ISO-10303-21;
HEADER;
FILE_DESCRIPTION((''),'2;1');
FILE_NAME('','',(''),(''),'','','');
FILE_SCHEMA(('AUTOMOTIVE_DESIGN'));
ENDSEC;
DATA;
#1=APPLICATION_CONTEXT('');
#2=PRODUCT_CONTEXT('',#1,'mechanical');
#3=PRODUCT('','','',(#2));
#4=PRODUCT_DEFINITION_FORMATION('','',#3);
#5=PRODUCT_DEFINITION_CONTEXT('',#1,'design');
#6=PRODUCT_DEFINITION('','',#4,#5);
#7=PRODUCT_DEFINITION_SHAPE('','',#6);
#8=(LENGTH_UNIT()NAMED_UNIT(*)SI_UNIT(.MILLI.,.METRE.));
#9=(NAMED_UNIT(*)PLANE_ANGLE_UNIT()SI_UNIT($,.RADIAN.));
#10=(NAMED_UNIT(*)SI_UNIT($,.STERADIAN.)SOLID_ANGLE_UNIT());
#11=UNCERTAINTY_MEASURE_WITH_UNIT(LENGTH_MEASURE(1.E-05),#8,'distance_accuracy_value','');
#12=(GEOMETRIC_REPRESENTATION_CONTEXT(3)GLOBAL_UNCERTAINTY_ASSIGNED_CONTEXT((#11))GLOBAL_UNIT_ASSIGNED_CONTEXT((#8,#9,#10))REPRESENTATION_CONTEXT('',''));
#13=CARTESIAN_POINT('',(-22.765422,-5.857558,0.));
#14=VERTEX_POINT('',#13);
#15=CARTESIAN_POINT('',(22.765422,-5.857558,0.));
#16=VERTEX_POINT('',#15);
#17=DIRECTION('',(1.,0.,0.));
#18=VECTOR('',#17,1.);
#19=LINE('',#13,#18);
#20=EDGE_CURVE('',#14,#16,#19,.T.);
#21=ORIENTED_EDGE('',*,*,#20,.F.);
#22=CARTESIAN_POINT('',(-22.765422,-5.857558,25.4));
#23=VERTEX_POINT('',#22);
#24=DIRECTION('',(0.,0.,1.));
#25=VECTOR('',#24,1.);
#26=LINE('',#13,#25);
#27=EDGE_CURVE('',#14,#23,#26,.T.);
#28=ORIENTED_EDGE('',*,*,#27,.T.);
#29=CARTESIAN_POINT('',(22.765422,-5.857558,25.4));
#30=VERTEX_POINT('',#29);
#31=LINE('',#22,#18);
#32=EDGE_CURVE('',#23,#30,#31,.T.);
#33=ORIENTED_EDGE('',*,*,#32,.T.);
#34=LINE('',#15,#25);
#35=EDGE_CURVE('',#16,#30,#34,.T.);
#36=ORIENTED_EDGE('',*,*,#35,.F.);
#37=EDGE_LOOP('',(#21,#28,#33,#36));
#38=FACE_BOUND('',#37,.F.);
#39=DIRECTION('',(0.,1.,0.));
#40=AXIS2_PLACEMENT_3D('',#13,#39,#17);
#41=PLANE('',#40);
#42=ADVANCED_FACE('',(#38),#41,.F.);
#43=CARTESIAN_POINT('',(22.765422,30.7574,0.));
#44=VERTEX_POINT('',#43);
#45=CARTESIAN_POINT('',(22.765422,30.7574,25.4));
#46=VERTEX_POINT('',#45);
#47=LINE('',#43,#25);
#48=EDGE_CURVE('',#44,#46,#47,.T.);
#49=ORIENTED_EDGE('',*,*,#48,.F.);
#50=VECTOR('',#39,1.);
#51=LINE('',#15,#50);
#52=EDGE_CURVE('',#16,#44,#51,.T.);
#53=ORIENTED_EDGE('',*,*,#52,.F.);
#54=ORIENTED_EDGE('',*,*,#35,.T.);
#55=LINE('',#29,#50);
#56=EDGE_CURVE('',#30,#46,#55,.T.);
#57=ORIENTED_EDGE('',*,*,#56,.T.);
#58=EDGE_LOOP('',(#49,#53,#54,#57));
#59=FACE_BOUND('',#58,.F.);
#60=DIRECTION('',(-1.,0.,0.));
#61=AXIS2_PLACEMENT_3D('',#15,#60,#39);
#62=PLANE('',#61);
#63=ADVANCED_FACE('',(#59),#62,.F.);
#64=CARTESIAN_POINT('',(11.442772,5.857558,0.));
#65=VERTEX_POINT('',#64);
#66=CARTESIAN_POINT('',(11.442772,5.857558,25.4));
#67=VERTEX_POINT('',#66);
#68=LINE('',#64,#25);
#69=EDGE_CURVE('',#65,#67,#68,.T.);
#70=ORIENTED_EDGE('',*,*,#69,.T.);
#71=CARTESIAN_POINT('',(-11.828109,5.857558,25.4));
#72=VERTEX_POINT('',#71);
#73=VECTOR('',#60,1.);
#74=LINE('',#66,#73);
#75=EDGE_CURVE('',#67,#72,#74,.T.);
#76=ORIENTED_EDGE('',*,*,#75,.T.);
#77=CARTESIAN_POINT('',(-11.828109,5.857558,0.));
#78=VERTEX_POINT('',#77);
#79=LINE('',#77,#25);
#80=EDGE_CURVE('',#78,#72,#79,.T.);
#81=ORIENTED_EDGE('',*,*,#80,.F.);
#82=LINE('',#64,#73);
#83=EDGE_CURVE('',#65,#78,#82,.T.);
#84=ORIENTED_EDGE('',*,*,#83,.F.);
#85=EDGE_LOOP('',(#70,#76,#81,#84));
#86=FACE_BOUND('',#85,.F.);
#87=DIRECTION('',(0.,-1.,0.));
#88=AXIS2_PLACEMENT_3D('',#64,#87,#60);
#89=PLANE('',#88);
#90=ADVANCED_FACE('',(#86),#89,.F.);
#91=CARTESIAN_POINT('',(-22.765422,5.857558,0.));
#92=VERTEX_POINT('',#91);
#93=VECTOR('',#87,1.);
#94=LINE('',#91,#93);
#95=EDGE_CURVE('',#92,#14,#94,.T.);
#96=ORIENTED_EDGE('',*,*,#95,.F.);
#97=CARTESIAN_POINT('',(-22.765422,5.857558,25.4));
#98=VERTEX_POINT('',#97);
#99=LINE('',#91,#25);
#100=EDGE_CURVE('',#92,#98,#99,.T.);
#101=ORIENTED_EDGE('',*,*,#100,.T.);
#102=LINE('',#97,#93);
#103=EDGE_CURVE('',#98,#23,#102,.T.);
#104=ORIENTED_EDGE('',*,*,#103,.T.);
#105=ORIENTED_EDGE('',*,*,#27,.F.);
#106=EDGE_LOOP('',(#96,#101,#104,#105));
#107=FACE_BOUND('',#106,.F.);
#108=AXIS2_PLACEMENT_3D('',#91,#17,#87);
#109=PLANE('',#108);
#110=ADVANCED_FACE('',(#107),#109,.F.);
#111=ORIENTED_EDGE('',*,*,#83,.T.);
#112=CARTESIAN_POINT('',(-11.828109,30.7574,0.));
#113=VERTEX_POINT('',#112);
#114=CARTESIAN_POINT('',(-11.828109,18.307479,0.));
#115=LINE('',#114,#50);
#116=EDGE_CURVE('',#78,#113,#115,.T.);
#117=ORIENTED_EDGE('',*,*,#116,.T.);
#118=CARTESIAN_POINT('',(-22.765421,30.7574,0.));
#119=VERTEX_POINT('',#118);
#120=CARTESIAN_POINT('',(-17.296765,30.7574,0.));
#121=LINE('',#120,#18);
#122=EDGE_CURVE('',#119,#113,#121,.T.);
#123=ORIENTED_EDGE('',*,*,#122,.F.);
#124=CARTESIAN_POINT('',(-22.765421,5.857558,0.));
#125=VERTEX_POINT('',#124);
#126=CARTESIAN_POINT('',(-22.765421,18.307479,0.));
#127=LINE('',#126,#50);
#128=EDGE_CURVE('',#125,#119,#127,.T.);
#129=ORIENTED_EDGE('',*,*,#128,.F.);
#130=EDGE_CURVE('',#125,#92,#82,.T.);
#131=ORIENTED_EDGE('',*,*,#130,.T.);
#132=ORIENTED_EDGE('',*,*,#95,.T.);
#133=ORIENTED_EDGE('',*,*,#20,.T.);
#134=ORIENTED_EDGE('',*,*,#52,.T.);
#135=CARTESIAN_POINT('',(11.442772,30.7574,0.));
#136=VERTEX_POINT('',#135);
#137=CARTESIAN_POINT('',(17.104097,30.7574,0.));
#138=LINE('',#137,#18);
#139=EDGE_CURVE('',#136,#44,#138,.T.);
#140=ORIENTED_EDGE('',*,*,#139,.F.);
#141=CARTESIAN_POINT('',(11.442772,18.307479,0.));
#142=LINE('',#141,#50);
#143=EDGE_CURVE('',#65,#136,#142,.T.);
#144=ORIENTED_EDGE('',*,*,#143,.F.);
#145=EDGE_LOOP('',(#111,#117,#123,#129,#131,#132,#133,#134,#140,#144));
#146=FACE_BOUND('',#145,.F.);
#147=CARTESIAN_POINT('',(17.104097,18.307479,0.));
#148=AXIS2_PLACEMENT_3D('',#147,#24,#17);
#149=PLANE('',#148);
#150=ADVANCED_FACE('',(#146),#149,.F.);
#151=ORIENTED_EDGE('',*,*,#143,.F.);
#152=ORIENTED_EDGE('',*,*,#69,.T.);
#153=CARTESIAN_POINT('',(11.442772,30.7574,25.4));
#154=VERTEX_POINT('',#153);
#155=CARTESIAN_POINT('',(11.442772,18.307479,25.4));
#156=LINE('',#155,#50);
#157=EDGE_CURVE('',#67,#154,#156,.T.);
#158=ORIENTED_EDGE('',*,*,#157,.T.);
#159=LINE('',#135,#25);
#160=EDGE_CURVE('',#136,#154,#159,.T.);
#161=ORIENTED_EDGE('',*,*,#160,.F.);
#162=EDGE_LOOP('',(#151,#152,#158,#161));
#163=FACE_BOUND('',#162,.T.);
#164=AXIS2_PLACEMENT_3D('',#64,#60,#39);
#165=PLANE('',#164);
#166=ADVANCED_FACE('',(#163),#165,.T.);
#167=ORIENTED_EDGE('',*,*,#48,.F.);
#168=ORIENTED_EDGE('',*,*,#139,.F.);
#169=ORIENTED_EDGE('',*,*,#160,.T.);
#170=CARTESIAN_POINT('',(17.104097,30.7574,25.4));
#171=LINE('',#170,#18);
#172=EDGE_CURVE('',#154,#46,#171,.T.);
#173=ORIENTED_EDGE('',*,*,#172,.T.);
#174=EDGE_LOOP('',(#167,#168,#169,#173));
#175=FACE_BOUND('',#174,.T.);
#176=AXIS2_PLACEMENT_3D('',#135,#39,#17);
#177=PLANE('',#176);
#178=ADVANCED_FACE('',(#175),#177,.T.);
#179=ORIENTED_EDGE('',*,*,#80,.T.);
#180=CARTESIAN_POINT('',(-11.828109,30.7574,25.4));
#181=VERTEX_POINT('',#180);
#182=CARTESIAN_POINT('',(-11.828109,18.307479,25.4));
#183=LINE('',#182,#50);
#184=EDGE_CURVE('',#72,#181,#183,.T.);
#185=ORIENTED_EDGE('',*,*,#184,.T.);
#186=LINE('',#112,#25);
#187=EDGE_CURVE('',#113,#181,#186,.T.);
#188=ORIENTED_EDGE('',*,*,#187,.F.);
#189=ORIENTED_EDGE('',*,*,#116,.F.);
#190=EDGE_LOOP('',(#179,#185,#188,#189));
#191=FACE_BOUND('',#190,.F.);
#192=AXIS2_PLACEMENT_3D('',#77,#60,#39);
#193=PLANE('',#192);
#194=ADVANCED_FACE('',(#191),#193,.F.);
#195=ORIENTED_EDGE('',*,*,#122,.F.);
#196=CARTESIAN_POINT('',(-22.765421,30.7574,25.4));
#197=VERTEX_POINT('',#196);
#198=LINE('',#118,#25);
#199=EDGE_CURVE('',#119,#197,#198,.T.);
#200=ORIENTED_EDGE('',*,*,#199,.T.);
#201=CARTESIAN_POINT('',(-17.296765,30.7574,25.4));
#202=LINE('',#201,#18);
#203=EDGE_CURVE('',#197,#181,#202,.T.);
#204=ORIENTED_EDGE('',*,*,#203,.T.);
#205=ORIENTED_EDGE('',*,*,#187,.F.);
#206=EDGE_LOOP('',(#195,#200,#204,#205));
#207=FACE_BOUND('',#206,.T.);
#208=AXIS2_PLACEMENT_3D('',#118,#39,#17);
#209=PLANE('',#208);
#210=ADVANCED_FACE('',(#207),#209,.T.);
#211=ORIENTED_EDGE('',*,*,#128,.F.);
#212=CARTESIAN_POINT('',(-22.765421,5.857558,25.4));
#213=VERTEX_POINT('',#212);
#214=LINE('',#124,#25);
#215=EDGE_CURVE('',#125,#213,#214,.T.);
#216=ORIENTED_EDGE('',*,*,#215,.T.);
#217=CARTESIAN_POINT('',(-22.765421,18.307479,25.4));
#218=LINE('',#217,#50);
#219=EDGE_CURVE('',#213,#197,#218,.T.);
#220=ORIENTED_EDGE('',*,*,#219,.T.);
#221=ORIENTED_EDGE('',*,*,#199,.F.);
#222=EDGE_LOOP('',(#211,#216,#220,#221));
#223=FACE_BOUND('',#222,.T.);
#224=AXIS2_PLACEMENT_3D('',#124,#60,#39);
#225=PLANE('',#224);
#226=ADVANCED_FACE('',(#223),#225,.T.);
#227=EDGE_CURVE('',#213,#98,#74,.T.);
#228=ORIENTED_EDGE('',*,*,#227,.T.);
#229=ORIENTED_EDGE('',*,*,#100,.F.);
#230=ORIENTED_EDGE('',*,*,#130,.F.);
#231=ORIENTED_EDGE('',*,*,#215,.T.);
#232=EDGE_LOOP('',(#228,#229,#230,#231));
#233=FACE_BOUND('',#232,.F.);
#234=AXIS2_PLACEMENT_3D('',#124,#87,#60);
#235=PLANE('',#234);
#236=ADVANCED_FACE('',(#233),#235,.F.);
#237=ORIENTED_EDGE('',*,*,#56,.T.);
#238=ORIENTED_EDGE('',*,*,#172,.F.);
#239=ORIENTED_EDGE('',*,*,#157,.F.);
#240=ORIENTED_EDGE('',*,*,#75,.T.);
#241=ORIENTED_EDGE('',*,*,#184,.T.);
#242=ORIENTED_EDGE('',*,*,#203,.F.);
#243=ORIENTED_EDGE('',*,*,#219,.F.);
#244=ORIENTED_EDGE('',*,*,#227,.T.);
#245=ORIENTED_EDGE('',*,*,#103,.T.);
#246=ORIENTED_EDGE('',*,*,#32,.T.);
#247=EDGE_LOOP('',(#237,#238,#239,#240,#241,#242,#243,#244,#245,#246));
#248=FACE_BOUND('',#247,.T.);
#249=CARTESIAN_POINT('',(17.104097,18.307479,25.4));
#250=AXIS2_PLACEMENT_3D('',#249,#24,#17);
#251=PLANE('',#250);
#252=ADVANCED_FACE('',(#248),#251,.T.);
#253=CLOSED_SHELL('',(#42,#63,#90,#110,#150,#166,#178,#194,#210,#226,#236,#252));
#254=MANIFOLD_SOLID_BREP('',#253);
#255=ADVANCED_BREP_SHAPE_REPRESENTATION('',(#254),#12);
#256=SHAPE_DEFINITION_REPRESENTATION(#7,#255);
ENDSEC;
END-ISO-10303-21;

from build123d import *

# Parameters (mm, degrees)
F0_W     = 11.32265
F0_H     = 24.899843
F0_W_2   = 10.937313
F1_DEPTH = 25.4


with BuildPart() as f1:
    # F0 (on Top) → F1 (new body)
    with BuildSketch(Plane.XY):
        with Locations((17.104097, 18.307479)):
            Rectangle(F0_W, F0_H)
        Polygon((-11.828109, 5.857558), (-22.765422, 5.857558), (-22.765422, -5.857558), (22.765422, -5.857558), (22.765422, 5.857558), (11.442772, 5.857558), align=None)
        with Locations((-17.296765, 18.307479)):
            Rectangle(F0_W_2, F0_H)
    extrude(amount=F1_DEPTH)


solid = f1.part
